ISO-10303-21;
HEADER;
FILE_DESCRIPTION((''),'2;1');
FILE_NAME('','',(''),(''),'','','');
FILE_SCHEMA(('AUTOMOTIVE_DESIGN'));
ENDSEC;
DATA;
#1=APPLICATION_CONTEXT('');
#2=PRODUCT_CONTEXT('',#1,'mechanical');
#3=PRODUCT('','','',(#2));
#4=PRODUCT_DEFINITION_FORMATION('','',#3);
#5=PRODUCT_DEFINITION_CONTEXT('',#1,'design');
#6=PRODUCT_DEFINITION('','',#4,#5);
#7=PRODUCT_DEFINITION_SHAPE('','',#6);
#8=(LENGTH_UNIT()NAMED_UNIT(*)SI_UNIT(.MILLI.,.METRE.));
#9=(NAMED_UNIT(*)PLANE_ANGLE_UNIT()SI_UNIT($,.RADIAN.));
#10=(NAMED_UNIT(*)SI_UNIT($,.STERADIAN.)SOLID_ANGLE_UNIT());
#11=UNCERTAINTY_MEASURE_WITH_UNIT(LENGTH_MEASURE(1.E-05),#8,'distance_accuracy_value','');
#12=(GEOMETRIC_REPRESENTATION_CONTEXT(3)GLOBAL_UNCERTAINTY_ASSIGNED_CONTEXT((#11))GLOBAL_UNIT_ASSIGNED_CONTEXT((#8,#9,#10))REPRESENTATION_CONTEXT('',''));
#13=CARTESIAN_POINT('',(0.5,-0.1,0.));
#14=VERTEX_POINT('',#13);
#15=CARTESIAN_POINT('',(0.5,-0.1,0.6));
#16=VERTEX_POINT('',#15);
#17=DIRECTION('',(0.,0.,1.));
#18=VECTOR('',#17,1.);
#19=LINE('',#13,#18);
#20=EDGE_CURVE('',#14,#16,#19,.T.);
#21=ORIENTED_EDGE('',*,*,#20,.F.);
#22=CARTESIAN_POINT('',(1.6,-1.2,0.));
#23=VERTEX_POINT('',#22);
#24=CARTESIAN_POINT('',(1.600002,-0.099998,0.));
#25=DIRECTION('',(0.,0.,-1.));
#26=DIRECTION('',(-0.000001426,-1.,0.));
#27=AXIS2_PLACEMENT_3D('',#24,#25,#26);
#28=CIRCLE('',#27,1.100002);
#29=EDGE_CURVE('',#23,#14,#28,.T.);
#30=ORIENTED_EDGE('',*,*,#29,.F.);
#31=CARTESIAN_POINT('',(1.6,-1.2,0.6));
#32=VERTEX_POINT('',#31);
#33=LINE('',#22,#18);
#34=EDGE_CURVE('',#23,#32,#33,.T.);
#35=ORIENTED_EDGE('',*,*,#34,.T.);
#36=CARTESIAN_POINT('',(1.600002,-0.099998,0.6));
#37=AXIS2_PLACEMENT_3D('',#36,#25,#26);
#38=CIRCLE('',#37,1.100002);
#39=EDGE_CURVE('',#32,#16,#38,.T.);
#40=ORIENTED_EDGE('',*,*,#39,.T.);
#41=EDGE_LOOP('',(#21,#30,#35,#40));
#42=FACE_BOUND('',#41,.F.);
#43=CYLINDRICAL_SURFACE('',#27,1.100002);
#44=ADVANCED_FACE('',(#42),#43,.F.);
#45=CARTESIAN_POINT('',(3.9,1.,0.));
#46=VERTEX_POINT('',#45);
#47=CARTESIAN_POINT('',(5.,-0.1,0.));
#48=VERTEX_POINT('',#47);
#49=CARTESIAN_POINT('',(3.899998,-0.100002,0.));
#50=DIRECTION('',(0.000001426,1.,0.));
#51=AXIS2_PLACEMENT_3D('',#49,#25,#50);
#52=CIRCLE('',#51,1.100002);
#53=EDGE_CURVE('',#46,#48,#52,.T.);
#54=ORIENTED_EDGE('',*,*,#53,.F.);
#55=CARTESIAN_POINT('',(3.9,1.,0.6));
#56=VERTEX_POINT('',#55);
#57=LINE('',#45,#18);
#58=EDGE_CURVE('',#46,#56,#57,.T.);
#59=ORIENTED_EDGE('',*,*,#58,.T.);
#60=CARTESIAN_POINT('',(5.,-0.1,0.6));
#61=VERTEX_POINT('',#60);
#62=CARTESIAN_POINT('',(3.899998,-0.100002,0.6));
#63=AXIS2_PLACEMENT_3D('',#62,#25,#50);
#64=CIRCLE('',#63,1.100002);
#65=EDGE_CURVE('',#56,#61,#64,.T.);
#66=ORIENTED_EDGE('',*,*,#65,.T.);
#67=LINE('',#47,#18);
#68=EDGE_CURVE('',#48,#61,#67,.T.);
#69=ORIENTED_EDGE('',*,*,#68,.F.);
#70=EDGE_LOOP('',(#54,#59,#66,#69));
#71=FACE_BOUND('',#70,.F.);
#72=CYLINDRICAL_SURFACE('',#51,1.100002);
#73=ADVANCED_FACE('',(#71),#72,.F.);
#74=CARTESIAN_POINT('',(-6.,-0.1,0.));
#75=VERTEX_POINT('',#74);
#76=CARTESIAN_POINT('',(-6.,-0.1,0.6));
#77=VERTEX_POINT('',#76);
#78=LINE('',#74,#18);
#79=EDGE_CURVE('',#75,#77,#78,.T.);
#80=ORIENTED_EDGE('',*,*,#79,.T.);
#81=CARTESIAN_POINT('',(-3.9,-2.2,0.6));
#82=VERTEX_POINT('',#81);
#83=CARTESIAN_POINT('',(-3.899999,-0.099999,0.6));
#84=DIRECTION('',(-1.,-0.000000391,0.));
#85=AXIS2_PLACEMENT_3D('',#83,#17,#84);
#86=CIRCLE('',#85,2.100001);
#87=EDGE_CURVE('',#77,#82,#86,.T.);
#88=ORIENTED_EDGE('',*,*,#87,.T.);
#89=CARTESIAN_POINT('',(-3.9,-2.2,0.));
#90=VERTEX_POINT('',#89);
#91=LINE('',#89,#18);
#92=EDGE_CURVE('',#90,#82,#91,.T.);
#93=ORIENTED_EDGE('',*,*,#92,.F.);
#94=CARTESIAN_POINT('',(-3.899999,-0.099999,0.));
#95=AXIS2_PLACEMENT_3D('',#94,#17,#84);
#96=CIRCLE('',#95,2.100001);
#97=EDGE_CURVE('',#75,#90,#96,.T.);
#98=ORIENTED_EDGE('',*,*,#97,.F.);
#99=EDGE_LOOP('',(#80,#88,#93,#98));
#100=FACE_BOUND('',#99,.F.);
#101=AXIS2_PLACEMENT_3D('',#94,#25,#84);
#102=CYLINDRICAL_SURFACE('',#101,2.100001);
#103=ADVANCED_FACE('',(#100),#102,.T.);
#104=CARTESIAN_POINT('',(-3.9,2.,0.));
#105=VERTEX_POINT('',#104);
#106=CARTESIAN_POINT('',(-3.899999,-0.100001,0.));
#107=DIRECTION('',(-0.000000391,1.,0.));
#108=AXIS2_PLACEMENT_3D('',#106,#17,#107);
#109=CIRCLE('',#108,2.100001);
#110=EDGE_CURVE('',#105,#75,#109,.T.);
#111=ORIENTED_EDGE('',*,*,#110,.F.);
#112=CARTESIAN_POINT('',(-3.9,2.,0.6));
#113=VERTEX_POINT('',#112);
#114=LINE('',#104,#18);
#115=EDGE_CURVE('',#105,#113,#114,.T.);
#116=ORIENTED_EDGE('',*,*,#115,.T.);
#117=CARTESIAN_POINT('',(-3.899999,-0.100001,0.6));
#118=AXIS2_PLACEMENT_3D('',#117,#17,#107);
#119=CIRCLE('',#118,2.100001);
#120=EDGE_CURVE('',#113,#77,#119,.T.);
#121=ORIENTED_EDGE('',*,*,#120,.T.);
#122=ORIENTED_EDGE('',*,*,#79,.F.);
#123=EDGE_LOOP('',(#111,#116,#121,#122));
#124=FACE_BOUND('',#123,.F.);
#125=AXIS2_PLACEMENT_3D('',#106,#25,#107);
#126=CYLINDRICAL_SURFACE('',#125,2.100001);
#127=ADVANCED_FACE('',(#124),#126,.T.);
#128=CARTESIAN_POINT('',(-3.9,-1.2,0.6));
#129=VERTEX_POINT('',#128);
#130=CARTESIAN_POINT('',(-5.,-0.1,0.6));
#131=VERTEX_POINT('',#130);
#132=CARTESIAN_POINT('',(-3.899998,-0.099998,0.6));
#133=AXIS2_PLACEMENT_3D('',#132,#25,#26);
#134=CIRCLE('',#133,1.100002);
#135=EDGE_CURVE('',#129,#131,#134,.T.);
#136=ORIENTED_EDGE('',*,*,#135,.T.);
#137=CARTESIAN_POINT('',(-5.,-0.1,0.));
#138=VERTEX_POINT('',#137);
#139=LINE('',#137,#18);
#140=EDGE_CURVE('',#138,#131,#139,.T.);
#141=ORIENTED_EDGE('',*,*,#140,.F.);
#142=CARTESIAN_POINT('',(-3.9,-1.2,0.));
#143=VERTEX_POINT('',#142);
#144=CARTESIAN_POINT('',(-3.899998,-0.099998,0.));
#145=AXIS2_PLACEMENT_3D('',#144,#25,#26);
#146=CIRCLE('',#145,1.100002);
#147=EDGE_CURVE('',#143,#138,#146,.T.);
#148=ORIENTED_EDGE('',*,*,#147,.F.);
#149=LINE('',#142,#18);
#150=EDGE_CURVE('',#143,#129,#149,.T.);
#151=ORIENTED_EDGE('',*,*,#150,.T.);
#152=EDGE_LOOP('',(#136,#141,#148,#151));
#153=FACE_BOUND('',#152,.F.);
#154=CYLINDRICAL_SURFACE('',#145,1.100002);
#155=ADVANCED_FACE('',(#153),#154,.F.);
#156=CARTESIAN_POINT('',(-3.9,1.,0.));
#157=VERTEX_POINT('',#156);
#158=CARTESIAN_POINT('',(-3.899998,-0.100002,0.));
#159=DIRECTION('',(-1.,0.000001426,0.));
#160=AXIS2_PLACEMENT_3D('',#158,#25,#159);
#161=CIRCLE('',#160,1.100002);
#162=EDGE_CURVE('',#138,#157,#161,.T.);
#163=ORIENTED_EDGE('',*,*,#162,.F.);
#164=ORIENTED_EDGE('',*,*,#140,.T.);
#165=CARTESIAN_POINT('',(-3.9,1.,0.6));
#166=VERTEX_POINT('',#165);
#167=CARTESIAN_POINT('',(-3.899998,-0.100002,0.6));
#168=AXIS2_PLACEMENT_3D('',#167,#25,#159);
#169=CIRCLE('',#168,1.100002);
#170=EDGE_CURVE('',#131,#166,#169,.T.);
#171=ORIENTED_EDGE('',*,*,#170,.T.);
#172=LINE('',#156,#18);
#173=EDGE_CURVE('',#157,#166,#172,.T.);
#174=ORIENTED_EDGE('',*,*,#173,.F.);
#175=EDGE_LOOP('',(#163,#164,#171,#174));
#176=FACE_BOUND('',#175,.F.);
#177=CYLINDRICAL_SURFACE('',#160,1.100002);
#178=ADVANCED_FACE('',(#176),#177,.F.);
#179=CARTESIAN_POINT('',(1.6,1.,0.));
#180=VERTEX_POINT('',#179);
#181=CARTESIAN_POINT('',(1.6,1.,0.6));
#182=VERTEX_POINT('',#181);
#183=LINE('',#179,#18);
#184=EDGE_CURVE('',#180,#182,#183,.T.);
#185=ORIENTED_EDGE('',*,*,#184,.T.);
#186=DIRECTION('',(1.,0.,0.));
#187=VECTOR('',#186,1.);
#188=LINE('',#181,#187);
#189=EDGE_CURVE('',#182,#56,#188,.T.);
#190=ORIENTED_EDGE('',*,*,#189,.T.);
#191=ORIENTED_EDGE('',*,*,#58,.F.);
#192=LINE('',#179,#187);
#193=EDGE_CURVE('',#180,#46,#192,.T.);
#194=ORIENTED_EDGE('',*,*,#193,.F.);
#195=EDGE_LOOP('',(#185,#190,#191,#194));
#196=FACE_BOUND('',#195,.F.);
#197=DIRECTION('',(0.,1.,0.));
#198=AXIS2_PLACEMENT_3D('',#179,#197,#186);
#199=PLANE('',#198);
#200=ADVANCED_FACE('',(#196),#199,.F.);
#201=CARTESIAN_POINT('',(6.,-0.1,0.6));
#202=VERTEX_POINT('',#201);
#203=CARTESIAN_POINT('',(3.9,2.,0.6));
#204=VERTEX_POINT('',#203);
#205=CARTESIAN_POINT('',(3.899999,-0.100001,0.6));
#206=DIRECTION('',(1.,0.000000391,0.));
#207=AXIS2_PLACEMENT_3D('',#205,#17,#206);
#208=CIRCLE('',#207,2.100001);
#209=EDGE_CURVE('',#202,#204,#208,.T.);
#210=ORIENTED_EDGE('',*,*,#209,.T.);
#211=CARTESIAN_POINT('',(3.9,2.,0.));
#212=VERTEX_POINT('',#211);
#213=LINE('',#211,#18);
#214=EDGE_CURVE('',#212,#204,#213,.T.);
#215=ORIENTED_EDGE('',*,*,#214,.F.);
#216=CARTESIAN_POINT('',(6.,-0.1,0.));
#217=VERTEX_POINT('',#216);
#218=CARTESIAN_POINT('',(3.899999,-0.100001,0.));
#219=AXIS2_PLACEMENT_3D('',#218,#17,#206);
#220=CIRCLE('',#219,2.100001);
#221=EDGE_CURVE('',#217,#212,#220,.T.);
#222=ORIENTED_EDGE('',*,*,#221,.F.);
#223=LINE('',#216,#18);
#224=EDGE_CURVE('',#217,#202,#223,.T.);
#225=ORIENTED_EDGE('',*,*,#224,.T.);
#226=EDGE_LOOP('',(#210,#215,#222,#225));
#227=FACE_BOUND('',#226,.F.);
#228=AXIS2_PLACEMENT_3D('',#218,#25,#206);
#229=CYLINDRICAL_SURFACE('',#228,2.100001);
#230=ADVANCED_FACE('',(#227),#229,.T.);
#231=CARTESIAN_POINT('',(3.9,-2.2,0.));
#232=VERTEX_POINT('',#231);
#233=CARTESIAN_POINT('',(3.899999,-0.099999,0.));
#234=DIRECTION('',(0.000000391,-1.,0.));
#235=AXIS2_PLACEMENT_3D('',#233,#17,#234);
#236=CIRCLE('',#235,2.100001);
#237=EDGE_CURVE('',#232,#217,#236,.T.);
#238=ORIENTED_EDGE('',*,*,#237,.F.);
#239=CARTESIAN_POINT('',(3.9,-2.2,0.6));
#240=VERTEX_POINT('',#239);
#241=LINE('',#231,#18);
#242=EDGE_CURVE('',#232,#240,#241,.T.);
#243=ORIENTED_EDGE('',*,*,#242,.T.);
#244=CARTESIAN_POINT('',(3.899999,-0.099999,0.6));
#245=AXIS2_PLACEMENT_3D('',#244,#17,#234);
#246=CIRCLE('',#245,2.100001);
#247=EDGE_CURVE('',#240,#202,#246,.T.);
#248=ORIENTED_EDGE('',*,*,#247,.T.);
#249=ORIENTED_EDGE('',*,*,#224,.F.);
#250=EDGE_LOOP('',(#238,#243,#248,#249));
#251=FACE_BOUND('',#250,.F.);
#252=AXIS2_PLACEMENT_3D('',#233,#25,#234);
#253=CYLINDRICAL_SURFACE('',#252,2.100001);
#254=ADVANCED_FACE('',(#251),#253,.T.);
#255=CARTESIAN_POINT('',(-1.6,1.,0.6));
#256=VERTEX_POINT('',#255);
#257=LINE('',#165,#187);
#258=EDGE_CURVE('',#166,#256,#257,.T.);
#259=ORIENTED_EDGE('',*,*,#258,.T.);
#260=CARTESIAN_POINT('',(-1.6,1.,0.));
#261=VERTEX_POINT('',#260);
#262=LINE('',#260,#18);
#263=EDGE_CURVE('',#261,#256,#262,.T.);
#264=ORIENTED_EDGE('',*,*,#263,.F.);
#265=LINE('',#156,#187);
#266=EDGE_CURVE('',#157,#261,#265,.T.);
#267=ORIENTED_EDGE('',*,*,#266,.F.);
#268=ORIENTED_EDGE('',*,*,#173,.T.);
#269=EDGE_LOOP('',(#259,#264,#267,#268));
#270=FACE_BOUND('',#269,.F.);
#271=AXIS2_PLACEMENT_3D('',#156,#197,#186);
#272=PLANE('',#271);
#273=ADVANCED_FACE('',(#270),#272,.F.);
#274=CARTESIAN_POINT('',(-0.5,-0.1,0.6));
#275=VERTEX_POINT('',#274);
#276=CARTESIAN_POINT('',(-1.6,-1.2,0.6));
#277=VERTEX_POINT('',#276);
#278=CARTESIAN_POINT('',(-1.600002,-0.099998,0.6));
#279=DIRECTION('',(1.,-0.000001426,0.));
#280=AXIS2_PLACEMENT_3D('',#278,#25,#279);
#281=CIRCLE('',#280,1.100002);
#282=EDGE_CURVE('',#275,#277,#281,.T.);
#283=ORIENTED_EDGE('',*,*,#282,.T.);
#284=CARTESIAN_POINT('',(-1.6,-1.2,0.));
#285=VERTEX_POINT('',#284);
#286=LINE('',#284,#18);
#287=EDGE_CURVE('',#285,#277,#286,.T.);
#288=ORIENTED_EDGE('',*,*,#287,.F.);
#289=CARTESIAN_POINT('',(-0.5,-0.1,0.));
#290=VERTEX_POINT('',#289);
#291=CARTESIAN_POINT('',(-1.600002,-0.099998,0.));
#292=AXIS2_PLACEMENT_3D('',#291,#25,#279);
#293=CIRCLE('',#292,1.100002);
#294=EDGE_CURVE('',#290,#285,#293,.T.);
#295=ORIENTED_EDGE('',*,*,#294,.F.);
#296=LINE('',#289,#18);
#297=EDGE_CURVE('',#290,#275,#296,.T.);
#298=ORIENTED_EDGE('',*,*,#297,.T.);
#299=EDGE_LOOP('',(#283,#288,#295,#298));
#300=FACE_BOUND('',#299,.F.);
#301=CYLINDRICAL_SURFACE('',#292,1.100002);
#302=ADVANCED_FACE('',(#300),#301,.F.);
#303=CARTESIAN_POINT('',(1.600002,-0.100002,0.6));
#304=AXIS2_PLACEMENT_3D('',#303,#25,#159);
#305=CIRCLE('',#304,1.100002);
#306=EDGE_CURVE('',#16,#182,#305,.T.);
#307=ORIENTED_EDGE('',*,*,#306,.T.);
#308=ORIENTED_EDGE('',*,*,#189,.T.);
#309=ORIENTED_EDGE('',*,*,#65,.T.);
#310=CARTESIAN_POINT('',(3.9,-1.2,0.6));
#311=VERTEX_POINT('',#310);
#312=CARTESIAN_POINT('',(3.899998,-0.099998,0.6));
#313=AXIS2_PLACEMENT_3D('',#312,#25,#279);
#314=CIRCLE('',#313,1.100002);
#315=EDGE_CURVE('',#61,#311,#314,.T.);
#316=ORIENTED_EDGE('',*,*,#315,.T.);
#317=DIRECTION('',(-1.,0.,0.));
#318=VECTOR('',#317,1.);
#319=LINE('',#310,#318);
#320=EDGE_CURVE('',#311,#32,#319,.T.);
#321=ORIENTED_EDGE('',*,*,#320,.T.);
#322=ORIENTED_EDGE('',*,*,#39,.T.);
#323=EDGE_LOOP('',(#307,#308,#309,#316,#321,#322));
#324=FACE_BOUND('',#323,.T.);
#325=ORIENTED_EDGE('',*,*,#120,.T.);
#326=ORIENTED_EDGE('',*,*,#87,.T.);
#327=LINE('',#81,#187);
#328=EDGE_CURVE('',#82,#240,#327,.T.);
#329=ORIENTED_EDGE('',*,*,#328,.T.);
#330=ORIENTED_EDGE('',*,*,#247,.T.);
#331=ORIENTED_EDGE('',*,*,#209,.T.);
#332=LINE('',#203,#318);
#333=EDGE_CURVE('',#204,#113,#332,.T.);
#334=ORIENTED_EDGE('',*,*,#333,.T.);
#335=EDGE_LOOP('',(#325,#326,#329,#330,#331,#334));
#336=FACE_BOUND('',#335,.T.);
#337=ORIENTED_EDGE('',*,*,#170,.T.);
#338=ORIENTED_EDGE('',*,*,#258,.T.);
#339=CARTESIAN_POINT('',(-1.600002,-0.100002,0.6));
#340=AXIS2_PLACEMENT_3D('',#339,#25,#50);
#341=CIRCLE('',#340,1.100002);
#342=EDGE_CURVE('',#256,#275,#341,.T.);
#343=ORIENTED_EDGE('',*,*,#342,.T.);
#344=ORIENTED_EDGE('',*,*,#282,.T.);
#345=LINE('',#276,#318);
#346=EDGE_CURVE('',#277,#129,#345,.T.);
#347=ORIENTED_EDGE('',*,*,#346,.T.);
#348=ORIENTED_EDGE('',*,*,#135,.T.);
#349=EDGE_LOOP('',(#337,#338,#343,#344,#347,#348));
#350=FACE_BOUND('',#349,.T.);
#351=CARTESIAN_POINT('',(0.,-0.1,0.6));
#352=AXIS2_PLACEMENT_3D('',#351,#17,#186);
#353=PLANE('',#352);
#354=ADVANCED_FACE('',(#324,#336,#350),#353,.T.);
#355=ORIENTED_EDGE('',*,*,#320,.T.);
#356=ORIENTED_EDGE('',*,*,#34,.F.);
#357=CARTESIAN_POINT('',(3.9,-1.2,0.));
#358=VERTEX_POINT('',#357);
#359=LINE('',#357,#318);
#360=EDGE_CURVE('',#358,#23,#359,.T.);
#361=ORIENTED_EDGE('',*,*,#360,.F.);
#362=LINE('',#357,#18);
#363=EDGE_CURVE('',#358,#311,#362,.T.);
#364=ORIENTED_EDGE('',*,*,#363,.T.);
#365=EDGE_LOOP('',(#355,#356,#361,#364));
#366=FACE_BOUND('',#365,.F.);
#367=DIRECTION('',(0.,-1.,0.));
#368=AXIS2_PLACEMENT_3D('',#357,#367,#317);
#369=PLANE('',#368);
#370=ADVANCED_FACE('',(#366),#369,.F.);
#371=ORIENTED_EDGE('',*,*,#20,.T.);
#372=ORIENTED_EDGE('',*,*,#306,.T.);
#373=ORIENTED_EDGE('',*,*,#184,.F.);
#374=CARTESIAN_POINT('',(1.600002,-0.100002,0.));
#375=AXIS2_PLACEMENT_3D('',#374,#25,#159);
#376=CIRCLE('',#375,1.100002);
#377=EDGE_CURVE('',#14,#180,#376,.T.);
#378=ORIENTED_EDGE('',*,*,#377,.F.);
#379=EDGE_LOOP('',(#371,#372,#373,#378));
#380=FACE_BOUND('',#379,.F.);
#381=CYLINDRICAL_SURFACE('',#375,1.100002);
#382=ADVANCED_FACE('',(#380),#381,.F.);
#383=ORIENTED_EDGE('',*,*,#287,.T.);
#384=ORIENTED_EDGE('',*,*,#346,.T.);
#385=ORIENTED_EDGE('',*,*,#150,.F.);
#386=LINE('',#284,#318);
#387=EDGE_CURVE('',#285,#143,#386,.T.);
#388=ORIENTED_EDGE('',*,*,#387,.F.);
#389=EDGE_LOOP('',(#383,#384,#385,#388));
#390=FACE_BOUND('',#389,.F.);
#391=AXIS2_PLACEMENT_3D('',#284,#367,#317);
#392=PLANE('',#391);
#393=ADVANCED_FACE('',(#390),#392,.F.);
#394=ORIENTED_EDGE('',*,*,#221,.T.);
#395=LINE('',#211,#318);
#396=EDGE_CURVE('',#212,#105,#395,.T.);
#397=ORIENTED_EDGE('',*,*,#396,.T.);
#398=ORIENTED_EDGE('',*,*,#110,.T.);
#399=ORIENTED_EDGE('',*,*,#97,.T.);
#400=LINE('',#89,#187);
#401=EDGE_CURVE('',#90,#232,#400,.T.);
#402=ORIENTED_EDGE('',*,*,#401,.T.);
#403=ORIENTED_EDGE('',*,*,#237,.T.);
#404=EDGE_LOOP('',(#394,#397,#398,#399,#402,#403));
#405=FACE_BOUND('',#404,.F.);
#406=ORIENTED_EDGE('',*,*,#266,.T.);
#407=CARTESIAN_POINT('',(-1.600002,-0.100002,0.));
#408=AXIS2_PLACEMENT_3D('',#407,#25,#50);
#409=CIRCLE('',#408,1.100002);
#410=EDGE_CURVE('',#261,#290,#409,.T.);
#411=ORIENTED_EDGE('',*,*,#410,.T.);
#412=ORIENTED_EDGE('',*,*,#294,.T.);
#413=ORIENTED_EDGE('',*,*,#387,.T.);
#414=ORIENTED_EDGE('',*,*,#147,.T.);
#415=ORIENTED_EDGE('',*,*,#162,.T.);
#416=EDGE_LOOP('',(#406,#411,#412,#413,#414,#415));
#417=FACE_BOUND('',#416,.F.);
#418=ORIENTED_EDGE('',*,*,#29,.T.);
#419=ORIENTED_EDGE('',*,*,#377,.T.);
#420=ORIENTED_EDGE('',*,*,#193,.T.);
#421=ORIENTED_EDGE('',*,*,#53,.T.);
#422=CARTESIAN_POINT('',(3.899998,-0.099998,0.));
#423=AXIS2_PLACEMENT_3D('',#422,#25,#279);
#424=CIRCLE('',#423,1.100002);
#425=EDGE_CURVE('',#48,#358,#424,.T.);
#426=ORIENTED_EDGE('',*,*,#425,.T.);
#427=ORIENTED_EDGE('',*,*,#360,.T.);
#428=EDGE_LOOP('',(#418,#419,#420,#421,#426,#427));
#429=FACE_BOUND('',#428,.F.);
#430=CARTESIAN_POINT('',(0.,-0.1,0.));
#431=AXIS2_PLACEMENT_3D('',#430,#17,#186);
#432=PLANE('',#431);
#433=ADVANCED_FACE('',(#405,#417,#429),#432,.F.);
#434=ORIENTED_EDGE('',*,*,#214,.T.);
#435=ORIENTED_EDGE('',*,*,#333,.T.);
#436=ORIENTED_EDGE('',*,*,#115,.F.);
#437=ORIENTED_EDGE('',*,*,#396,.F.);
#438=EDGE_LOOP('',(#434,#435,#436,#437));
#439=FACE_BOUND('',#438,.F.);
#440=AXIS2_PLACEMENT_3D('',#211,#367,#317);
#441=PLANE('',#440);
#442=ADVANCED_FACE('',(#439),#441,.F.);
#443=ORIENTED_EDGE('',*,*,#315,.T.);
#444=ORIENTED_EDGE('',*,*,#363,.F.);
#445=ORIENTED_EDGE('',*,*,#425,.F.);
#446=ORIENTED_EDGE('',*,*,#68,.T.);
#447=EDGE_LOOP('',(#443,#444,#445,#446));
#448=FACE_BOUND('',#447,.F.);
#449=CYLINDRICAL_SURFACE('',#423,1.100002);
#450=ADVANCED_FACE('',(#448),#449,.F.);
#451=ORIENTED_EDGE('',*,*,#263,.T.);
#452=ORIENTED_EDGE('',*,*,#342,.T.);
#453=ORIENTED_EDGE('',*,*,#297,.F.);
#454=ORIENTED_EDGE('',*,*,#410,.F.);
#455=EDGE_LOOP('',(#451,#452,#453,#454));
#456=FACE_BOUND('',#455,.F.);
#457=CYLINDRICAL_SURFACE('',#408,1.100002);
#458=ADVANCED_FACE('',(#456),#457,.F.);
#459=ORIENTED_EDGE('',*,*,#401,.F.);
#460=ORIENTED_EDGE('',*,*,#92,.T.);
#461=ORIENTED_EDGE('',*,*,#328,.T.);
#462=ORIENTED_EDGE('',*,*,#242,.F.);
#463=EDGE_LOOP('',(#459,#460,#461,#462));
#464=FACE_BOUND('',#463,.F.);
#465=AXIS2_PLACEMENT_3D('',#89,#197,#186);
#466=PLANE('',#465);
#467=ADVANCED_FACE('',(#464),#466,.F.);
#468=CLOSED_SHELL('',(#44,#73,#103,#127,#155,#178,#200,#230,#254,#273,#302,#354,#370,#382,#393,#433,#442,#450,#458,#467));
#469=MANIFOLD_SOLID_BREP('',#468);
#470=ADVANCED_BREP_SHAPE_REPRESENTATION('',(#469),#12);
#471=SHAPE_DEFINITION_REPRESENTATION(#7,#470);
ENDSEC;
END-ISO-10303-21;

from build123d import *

# Parameters (mm, degrees)
F1_DEPTH = 0.6


with BuildPart() as f1:
    # F0 (on Top) → F1 (new body)
    with BuildSketch(Plane.XY):
        with BuildLine():
            Line((3.9, 2), (-3.9, 2))
            ThreePointArc((-3.9, 2), (-5.384924, 1.384924), (-6, -0.1))
            ThreePointArc((-6, -0.1), (-5.384924, -1.584924), (-3.9, -2.2))
            Line((-3.9, -2.2), (3.9, -2.2))
            ThreePointArc((3.9, -2.2), (5.384924, -1.584924), (6, -0.1))
            ThreePointArc((6, -0.1), (5.384924, 1.384924), (3.9, 2))
        make_face()
        with BuildLine():
            ThreePointArc((-5, -0.1), (-4.677817, 0.677817), (-3.9, 1))
            Line((-3.9, 1), (-1.6, 1))
            ThreePointArc((-1.6, 1), (-0.822183, 0.677817), (-0.5, -0.1))
            ThreePointArc((-0.5, -0.1), (-0.822183, -0.877817), (-1.6, -1.2))
            Line((-1.6, -1.2), (-3.9, -1.2))
            ThreePointArc((-3.9, -1.2), (-4.677817, -0.877817), (-5, -0.1))
        make_face(mode=Mode.SUBTRACT)
        with BuildLine():
            ThreePointArc((0.5, -0.1), (0.822183, 0.677817), (1.6, 1))
            Line((1.6, 1), (3.9, 1))
            ThreePointArc((3.9, 1), (4.677817, 0.677817), (5, -0.1))
            ThreePointArc((5, -0.1), (4.677817, -0.877817), (3.9, -1.2))
            Line((3.9, -1.2), (1.6, -1.2))
            ThreePointArc((1.6, -1.2), (0.822183, -0.877817), (0.5, -0.1))
        make_face(mode=Mode.SUBTRACT)
    extrude(amount=F1_DEPTH)


solid = f1.part
